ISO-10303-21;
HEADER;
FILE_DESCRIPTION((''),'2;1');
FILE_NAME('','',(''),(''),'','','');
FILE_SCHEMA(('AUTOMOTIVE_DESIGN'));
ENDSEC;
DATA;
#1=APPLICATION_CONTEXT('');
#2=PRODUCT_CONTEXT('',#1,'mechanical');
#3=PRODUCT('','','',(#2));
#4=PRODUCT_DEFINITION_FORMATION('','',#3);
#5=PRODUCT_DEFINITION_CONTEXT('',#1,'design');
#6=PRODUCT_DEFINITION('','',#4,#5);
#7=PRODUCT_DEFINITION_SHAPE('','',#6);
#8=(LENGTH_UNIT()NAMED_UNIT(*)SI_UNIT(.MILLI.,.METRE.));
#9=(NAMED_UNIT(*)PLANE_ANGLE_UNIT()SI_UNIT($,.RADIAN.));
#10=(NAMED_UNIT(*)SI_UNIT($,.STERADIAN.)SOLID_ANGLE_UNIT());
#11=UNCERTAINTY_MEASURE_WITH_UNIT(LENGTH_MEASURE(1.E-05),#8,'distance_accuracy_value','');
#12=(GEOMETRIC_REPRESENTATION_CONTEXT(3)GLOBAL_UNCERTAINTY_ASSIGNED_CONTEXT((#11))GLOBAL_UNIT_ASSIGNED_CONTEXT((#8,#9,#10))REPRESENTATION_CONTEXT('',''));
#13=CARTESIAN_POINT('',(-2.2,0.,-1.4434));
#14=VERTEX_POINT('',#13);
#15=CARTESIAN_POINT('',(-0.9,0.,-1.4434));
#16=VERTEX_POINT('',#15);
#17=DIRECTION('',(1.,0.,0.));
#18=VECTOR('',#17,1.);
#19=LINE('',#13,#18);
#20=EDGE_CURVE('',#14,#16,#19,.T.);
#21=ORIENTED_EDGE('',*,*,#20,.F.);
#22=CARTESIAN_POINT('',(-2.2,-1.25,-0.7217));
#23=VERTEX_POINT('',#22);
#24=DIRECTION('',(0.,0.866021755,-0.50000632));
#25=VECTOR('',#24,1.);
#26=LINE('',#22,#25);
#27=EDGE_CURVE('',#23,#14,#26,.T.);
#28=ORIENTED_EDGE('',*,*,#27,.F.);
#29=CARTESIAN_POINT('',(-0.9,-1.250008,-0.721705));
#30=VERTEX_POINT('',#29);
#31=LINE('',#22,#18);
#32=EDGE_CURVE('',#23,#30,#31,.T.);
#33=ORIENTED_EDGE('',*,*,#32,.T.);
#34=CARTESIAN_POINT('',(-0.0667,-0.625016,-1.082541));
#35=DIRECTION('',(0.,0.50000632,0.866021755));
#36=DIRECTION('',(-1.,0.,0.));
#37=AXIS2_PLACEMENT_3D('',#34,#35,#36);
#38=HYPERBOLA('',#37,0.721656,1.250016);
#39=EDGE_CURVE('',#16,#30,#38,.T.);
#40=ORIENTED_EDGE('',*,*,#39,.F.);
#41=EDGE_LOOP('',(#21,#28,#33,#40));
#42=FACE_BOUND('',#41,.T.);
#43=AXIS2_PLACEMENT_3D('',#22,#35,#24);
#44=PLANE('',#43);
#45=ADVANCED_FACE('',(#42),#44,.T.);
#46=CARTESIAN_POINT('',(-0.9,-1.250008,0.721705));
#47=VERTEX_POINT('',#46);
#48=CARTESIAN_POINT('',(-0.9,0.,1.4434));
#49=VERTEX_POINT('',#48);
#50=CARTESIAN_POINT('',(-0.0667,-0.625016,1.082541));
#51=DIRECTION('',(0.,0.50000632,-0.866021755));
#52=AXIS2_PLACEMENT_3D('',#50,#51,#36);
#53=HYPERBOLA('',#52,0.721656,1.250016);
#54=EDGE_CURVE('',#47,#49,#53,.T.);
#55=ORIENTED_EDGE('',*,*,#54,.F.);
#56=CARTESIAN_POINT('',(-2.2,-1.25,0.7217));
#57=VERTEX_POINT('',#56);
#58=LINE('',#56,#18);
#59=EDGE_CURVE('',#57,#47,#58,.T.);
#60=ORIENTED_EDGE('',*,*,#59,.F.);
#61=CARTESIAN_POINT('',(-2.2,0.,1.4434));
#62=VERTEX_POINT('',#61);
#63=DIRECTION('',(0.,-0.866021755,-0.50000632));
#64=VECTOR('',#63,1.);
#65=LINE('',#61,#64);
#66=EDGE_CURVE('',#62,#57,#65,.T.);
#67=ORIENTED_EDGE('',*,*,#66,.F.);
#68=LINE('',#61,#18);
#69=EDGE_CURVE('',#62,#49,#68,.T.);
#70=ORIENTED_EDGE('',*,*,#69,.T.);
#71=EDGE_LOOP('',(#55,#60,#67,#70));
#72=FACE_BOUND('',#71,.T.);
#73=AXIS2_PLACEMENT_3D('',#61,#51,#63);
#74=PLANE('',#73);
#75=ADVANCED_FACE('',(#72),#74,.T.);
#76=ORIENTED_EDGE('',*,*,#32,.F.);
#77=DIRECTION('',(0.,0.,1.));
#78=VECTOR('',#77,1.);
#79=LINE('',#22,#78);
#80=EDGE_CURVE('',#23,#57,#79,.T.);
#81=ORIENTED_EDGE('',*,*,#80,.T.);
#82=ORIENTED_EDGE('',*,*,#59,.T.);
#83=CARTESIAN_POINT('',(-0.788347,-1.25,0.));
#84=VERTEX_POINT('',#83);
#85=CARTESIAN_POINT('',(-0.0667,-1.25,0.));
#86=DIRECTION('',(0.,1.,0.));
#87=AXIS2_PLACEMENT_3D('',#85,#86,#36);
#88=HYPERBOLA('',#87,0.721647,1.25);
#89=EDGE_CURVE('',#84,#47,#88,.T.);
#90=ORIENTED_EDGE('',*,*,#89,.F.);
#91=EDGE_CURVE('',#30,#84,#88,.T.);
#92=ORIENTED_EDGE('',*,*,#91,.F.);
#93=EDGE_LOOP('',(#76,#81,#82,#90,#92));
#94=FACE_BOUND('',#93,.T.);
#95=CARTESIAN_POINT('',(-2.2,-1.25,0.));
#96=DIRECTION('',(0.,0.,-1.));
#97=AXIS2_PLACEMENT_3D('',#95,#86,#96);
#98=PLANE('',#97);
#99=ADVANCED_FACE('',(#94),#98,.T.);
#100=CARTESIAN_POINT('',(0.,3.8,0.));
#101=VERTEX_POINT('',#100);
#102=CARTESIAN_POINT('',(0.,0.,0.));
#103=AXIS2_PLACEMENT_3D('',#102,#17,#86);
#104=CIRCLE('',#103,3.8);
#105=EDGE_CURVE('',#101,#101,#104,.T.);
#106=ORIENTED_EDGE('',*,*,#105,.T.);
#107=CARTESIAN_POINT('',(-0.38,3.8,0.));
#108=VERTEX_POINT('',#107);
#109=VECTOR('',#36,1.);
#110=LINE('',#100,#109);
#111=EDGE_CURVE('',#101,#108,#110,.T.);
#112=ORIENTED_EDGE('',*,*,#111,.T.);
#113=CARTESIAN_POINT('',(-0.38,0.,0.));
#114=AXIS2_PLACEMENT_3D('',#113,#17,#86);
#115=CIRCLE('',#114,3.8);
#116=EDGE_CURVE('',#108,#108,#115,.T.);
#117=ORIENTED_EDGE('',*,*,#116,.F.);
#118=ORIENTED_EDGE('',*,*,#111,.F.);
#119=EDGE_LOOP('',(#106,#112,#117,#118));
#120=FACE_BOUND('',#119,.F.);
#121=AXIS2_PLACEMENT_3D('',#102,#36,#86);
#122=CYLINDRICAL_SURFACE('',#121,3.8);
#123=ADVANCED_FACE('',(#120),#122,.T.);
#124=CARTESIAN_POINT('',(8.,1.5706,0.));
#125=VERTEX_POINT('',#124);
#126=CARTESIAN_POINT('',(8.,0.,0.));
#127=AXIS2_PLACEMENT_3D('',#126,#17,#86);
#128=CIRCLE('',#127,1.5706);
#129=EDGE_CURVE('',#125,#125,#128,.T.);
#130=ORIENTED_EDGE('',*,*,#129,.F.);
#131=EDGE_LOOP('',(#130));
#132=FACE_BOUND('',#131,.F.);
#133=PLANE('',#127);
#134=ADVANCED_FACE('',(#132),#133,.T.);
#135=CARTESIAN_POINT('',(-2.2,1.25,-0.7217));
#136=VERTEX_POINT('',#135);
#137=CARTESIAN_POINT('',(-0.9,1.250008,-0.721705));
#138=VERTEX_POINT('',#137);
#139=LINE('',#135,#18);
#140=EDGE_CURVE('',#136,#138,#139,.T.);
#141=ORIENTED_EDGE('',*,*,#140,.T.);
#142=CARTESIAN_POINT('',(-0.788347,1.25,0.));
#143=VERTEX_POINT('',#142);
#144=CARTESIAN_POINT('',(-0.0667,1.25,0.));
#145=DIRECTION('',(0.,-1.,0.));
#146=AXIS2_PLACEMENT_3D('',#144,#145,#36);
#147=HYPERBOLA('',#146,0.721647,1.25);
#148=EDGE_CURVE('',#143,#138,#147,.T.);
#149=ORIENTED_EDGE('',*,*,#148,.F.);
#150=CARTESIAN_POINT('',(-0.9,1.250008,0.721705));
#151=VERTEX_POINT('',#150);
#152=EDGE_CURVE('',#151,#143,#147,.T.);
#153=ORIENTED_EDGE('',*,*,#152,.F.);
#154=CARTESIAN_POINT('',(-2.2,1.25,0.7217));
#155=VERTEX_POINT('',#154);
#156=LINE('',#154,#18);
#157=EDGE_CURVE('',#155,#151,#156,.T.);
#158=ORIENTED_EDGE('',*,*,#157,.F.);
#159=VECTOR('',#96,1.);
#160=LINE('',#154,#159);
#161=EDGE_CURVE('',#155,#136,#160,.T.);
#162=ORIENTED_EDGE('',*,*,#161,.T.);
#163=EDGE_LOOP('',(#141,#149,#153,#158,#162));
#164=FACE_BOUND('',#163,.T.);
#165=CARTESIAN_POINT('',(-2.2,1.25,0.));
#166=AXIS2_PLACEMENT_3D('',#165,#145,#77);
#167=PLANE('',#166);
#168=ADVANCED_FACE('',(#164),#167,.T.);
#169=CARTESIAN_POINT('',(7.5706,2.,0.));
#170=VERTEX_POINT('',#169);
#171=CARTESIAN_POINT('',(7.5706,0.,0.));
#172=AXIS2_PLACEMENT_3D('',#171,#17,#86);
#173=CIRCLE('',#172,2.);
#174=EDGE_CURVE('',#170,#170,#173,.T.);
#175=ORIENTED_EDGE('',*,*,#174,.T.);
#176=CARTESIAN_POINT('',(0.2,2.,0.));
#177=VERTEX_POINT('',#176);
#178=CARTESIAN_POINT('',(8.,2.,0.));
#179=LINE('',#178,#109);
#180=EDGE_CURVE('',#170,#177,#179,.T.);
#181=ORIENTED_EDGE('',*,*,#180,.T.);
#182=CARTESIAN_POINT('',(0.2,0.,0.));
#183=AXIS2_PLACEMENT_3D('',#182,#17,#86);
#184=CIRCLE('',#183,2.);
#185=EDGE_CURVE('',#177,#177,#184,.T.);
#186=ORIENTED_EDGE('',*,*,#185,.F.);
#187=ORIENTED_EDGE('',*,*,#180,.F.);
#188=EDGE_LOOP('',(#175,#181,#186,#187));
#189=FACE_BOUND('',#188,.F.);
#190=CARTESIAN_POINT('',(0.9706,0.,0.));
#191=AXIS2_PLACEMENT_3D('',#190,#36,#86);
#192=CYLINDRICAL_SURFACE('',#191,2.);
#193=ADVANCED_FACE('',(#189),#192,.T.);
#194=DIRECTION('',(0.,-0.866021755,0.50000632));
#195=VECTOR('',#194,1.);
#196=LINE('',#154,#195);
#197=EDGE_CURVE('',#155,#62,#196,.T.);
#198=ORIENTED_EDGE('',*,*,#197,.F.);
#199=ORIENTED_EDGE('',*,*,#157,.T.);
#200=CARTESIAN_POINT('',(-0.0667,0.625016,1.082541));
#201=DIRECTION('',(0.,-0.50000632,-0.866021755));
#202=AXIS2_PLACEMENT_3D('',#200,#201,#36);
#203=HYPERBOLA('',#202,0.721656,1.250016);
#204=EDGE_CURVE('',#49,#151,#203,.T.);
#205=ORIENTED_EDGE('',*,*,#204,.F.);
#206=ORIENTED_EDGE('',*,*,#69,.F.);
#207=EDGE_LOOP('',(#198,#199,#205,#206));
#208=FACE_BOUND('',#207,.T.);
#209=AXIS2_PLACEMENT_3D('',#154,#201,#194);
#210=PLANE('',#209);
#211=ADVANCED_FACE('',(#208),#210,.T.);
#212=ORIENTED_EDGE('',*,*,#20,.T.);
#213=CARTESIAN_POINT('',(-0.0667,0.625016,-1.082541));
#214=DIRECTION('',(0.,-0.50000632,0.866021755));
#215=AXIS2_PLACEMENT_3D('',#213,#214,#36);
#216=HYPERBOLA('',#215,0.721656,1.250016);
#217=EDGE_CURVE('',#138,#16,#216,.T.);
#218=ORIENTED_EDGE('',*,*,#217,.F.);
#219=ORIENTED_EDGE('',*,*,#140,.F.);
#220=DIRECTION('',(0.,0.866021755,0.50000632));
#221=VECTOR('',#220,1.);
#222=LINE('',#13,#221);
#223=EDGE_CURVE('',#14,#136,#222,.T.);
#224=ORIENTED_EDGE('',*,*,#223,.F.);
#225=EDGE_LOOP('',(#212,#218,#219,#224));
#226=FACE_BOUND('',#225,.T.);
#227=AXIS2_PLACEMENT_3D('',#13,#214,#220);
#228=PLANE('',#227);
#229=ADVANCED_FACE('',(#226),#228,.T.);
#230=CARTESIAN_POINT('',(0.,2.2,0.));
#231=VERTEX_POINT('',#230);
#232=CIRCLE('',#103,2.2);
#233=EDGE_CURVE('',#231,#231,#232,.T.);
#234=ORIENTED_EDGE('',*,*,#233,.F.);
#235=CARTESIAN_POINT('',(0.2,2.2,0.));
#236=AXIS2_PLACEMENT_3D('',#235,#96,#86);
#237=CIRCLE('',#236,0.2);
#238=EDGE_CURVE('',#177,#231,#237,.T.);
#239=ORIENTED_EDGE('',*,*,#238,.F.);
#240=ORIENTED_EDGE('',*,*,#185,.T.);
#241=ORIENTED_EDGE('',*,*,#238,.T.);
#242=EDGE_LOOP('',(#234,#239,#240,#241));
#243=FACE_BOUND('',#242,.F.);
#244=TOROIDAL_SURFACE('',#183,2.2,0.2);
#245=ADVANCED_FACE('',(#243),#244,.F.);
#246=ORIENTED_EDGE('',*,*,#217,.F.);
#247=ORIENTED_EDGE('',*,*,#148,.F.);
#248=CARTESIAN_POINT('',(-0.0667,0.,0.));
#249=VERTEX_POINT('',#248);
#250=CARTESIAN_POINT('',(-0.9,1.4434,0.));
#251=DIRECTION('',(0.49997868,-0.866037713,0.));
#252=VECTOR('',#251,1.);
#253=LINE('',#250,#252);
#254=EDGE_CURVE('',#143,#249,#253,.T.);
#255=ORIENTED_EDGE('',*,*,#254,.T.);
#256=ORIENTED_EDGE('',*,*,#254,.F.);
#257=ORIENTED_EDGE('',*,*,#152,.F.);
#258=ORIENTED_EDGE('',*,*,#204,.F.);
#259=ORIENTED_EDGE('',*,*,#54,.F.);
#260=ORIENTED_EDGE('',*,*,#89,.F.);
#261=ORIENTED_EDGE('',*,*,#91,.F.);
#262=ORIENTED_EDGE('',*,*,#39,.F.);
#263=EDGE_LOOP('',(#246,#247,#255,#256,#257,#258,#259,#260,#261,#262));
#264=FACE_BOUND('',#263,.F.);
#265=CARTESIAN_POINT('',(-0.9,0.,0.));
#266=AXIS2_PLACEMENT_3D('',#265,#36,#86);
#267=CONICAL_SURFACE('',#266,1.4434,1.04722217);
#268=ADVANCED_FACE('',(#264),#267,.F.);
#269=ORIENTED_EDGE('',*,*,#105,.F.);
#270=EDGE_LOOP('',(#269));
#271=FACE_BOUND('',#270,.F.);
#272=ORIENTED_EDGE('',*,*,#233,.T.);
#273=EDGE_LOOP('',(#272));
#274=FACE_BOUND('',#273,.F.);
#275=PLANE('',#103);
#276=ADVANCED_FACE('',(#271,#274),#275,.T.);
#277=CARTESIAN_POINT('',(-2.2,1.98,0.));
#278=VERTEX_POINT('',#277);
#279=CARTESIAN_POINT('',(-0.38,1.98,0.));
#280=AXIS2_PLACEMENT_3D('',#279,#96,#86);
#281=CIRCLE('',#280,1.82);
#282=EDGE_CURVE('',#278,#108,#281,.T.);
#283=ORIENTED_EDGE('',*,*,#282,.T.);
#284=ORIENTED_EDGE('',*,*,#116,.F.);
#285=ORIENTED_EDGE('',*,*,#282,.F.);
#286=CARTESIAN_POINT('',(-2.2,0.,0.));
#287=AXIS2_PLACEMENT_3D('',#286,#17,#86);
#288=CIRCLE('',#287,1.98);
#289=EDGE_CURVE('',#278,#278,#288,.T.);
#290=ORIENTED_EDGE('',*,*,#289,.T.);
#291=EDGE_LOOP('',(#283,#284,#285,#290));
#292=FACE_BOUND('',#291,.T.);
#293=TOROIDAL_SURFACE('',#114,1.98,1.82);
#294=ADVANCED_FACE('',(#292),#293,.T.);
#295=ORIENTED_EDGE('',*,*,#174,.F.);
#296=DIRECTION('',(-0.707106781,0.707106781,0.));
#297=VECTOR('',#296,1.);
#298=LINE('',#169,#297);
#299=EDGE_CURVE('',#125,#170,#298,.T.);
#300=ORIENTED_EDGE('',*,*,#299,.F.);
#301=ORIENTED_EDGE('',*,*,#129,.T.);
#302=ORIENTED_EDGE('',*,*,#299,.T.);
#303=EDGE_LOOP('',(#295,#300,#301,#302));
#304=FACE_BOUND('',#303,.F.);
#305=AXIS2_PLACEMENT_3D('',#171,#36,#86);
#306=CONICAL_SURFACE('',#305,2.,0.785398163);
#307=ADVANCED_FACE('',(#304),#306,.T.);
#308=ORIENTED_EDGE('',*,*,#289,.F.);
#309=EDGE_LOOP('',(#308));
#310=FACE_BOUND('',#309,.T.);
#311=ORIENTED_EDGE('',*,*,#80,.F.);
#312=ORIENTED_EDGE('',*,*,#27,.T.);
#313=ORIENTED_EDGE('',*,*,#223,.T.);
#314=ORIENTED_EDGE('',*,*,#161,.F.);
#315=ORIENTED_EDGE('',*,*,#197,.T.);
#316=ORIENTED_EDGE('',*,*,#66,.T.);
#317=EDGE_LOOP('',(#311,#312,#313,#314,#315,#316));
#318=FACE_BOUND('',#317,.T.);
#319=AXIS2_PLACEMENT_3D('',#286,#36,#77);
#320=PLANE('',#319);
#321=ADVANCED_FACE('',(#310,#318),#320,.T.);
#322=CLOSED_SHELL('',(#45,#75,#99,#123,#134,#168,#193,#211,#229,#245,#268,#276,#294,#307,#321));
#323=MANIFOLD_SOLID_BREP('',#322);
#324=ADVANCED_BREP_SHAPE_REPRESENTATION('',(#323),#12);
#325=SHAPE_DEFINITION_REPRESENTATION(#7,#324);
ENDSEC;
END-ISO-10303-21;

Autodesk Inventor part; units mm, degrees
ref_plane "YZ Plane" through (0, 0, 0) normal (1, 0, 0) x (0, 1, 0)
ref_plane "XZ Plane" through (0, 0, 0) normal (0, 1, 0) x (-1, 0, 0)
sketch "Sketch1" plane through (0, 0, 0) normal (0, 0, 1) x (1, 0, 0)
  line L0 (-0.0667, 0) -> (8, 0)
  line L1 (8, 0) -> (8, 2)
  line L2 (8, 2) -> (1.4, 2)
  line L3 (1.4, 2) -> (0.9706, 2)
  line L4 (0.9706, 2) -> (0, 2)
  line L5 (0, 2) -> (0, 3.8)
  line L6 (0, 3.8) -> (-2.2, 3.8)
  line L7 (-2.2, 3.8) -> (-2.2, 1.4434)
  line L8 (-2.2, 1.4434) -> (-0.9, 1.4434)
  line L9 (-0.9, 1.4434) -> (-0.0667, 0)
  line L10 (-4.24, 0) -> (10.04, 0) projected
  line L11 (0, -0.76) -> (0, 4.56) projected
  line L12 (1.4, 2) -> (0, 2) construction
  dimension "d0" = 6.6
  dimension "d1" = 0.4294
  dimension "d2" = 2.2
  dimension "d3" = 1.3
  dimension "d4" = 60
  dimension "d5" = 4
  dimension "d6" = 4
  dimension "d7" = 2.8868
  dimension "d8" = 7.6
  dimension "d19" = 8
revolve "Body" add sketch "Sketch1" angle 360 about axis through (-0.0667, 0, 0) along (1, 0, 0)
sketch "Sketch2" plane through (-2.2, 0, 0) normal (-1, 0, 0) x (0, 0, 1)
  circle A0 centre (0, 0) radius 1.4434 projected
  line L0 (0, -5.32) -> (0, 5.32) projected
  line L1 (-5.32, 0) -> (5.32, 0) projected
  line L2 (1.4434, 0) -> (0.7217, -1.25)
  line L3 (0.7217, -1.25) -> (-0.7217, -1.25)
  line L4 (-0.7217, -1.25) -> (-1.4434, 0)
  line L5 (-1.4434, 0) -> (-0.7217, 1.25)
  line L6 (-0.7217, 1.25) -> (0.7217, 1.25)
  line L7 (0.7217, 1.25) -> (1.4434, 0)
extrude "Slot" add sketch "Sketch2" against normal up to next contours L7 A0 | A0 L2 | L6 L0 A0 | A0 L0 L3 | L0 L6 A0 | A0 L3 L0 | L4 A0 | A0 L5
fillet "Fillet1" radius 1.82 1 edges at (-2.2, -3.8, 0)
thread "Thread" size "M4x0.7" class "4g6g" standard "ANSI Metric M Profile" length 6.6
chamfer "Chamfer1" distance 0.4294 distance2 0.4294 1 edges at (8, -2, 0) measured on face at (8, 0.556, 0.0273)
fillet "Fillet2" radius 0.2 1 edges at (0, -2, 0)
ref_plane "Work Plane1" through (30, 0, 0) normal (0, -0.5, 0.866) x (1, 0, 0)
equation "\"d0\" = GEL"
equation "\"d1\" = GAL"
equation "\"d2\" = KOH"
equation "\"d3\" = INTI"
equation "\"d5\" = GD"
equation "\"d6\" = BDM"
equation "\"d7\" = 1.1547 * SW"
equation "\"d8\" = KOD"
equation "\"d19\" = NLG"
equation "\"d16\" = RR"
equation "\"d12\" = GEL"
equation "\"d14\" = -0.5 * SPD + 0.5 * GD"
equation "\"d15\" = GUL"
equation "\"d29\" = R"
equation "\"GD\" = NND"
equation "\"NLG\" = 8"
equation "\"GEL\" = 6.6"
equation "\"KOD\" = 7.6"
equation "\"KOH\" = 2.2"
equation "\"INTI\" = 1.3"
equation "\"GAL\" = 0.61345 * PTC"
equation "\"GUL\" = 0.61345 * PTC"
equation "\"BDM\" = NND"
equation "\"SW\" = 2.5"
equation "\"RR\" = 1.82"
equation "\"SPD\" = 3.14117"
equation "\"d28\" = R"
equation "\"R\" = 0.2"
equation "\"TOA\" = 30deg"
equation "\"THREADDIA\" = 4"
equation "\"KOD1\" = KOD - 2 * RR"
equation "\"PTC\" = 0.7"
equation "\"NND\" = 4"
equation "\"E0\" = 1.155 * SW"
equation "\"GD1\" = THREADDIA - 1.2269 * PTC"
properties part number "11-4108" material "Steel, Mild"
